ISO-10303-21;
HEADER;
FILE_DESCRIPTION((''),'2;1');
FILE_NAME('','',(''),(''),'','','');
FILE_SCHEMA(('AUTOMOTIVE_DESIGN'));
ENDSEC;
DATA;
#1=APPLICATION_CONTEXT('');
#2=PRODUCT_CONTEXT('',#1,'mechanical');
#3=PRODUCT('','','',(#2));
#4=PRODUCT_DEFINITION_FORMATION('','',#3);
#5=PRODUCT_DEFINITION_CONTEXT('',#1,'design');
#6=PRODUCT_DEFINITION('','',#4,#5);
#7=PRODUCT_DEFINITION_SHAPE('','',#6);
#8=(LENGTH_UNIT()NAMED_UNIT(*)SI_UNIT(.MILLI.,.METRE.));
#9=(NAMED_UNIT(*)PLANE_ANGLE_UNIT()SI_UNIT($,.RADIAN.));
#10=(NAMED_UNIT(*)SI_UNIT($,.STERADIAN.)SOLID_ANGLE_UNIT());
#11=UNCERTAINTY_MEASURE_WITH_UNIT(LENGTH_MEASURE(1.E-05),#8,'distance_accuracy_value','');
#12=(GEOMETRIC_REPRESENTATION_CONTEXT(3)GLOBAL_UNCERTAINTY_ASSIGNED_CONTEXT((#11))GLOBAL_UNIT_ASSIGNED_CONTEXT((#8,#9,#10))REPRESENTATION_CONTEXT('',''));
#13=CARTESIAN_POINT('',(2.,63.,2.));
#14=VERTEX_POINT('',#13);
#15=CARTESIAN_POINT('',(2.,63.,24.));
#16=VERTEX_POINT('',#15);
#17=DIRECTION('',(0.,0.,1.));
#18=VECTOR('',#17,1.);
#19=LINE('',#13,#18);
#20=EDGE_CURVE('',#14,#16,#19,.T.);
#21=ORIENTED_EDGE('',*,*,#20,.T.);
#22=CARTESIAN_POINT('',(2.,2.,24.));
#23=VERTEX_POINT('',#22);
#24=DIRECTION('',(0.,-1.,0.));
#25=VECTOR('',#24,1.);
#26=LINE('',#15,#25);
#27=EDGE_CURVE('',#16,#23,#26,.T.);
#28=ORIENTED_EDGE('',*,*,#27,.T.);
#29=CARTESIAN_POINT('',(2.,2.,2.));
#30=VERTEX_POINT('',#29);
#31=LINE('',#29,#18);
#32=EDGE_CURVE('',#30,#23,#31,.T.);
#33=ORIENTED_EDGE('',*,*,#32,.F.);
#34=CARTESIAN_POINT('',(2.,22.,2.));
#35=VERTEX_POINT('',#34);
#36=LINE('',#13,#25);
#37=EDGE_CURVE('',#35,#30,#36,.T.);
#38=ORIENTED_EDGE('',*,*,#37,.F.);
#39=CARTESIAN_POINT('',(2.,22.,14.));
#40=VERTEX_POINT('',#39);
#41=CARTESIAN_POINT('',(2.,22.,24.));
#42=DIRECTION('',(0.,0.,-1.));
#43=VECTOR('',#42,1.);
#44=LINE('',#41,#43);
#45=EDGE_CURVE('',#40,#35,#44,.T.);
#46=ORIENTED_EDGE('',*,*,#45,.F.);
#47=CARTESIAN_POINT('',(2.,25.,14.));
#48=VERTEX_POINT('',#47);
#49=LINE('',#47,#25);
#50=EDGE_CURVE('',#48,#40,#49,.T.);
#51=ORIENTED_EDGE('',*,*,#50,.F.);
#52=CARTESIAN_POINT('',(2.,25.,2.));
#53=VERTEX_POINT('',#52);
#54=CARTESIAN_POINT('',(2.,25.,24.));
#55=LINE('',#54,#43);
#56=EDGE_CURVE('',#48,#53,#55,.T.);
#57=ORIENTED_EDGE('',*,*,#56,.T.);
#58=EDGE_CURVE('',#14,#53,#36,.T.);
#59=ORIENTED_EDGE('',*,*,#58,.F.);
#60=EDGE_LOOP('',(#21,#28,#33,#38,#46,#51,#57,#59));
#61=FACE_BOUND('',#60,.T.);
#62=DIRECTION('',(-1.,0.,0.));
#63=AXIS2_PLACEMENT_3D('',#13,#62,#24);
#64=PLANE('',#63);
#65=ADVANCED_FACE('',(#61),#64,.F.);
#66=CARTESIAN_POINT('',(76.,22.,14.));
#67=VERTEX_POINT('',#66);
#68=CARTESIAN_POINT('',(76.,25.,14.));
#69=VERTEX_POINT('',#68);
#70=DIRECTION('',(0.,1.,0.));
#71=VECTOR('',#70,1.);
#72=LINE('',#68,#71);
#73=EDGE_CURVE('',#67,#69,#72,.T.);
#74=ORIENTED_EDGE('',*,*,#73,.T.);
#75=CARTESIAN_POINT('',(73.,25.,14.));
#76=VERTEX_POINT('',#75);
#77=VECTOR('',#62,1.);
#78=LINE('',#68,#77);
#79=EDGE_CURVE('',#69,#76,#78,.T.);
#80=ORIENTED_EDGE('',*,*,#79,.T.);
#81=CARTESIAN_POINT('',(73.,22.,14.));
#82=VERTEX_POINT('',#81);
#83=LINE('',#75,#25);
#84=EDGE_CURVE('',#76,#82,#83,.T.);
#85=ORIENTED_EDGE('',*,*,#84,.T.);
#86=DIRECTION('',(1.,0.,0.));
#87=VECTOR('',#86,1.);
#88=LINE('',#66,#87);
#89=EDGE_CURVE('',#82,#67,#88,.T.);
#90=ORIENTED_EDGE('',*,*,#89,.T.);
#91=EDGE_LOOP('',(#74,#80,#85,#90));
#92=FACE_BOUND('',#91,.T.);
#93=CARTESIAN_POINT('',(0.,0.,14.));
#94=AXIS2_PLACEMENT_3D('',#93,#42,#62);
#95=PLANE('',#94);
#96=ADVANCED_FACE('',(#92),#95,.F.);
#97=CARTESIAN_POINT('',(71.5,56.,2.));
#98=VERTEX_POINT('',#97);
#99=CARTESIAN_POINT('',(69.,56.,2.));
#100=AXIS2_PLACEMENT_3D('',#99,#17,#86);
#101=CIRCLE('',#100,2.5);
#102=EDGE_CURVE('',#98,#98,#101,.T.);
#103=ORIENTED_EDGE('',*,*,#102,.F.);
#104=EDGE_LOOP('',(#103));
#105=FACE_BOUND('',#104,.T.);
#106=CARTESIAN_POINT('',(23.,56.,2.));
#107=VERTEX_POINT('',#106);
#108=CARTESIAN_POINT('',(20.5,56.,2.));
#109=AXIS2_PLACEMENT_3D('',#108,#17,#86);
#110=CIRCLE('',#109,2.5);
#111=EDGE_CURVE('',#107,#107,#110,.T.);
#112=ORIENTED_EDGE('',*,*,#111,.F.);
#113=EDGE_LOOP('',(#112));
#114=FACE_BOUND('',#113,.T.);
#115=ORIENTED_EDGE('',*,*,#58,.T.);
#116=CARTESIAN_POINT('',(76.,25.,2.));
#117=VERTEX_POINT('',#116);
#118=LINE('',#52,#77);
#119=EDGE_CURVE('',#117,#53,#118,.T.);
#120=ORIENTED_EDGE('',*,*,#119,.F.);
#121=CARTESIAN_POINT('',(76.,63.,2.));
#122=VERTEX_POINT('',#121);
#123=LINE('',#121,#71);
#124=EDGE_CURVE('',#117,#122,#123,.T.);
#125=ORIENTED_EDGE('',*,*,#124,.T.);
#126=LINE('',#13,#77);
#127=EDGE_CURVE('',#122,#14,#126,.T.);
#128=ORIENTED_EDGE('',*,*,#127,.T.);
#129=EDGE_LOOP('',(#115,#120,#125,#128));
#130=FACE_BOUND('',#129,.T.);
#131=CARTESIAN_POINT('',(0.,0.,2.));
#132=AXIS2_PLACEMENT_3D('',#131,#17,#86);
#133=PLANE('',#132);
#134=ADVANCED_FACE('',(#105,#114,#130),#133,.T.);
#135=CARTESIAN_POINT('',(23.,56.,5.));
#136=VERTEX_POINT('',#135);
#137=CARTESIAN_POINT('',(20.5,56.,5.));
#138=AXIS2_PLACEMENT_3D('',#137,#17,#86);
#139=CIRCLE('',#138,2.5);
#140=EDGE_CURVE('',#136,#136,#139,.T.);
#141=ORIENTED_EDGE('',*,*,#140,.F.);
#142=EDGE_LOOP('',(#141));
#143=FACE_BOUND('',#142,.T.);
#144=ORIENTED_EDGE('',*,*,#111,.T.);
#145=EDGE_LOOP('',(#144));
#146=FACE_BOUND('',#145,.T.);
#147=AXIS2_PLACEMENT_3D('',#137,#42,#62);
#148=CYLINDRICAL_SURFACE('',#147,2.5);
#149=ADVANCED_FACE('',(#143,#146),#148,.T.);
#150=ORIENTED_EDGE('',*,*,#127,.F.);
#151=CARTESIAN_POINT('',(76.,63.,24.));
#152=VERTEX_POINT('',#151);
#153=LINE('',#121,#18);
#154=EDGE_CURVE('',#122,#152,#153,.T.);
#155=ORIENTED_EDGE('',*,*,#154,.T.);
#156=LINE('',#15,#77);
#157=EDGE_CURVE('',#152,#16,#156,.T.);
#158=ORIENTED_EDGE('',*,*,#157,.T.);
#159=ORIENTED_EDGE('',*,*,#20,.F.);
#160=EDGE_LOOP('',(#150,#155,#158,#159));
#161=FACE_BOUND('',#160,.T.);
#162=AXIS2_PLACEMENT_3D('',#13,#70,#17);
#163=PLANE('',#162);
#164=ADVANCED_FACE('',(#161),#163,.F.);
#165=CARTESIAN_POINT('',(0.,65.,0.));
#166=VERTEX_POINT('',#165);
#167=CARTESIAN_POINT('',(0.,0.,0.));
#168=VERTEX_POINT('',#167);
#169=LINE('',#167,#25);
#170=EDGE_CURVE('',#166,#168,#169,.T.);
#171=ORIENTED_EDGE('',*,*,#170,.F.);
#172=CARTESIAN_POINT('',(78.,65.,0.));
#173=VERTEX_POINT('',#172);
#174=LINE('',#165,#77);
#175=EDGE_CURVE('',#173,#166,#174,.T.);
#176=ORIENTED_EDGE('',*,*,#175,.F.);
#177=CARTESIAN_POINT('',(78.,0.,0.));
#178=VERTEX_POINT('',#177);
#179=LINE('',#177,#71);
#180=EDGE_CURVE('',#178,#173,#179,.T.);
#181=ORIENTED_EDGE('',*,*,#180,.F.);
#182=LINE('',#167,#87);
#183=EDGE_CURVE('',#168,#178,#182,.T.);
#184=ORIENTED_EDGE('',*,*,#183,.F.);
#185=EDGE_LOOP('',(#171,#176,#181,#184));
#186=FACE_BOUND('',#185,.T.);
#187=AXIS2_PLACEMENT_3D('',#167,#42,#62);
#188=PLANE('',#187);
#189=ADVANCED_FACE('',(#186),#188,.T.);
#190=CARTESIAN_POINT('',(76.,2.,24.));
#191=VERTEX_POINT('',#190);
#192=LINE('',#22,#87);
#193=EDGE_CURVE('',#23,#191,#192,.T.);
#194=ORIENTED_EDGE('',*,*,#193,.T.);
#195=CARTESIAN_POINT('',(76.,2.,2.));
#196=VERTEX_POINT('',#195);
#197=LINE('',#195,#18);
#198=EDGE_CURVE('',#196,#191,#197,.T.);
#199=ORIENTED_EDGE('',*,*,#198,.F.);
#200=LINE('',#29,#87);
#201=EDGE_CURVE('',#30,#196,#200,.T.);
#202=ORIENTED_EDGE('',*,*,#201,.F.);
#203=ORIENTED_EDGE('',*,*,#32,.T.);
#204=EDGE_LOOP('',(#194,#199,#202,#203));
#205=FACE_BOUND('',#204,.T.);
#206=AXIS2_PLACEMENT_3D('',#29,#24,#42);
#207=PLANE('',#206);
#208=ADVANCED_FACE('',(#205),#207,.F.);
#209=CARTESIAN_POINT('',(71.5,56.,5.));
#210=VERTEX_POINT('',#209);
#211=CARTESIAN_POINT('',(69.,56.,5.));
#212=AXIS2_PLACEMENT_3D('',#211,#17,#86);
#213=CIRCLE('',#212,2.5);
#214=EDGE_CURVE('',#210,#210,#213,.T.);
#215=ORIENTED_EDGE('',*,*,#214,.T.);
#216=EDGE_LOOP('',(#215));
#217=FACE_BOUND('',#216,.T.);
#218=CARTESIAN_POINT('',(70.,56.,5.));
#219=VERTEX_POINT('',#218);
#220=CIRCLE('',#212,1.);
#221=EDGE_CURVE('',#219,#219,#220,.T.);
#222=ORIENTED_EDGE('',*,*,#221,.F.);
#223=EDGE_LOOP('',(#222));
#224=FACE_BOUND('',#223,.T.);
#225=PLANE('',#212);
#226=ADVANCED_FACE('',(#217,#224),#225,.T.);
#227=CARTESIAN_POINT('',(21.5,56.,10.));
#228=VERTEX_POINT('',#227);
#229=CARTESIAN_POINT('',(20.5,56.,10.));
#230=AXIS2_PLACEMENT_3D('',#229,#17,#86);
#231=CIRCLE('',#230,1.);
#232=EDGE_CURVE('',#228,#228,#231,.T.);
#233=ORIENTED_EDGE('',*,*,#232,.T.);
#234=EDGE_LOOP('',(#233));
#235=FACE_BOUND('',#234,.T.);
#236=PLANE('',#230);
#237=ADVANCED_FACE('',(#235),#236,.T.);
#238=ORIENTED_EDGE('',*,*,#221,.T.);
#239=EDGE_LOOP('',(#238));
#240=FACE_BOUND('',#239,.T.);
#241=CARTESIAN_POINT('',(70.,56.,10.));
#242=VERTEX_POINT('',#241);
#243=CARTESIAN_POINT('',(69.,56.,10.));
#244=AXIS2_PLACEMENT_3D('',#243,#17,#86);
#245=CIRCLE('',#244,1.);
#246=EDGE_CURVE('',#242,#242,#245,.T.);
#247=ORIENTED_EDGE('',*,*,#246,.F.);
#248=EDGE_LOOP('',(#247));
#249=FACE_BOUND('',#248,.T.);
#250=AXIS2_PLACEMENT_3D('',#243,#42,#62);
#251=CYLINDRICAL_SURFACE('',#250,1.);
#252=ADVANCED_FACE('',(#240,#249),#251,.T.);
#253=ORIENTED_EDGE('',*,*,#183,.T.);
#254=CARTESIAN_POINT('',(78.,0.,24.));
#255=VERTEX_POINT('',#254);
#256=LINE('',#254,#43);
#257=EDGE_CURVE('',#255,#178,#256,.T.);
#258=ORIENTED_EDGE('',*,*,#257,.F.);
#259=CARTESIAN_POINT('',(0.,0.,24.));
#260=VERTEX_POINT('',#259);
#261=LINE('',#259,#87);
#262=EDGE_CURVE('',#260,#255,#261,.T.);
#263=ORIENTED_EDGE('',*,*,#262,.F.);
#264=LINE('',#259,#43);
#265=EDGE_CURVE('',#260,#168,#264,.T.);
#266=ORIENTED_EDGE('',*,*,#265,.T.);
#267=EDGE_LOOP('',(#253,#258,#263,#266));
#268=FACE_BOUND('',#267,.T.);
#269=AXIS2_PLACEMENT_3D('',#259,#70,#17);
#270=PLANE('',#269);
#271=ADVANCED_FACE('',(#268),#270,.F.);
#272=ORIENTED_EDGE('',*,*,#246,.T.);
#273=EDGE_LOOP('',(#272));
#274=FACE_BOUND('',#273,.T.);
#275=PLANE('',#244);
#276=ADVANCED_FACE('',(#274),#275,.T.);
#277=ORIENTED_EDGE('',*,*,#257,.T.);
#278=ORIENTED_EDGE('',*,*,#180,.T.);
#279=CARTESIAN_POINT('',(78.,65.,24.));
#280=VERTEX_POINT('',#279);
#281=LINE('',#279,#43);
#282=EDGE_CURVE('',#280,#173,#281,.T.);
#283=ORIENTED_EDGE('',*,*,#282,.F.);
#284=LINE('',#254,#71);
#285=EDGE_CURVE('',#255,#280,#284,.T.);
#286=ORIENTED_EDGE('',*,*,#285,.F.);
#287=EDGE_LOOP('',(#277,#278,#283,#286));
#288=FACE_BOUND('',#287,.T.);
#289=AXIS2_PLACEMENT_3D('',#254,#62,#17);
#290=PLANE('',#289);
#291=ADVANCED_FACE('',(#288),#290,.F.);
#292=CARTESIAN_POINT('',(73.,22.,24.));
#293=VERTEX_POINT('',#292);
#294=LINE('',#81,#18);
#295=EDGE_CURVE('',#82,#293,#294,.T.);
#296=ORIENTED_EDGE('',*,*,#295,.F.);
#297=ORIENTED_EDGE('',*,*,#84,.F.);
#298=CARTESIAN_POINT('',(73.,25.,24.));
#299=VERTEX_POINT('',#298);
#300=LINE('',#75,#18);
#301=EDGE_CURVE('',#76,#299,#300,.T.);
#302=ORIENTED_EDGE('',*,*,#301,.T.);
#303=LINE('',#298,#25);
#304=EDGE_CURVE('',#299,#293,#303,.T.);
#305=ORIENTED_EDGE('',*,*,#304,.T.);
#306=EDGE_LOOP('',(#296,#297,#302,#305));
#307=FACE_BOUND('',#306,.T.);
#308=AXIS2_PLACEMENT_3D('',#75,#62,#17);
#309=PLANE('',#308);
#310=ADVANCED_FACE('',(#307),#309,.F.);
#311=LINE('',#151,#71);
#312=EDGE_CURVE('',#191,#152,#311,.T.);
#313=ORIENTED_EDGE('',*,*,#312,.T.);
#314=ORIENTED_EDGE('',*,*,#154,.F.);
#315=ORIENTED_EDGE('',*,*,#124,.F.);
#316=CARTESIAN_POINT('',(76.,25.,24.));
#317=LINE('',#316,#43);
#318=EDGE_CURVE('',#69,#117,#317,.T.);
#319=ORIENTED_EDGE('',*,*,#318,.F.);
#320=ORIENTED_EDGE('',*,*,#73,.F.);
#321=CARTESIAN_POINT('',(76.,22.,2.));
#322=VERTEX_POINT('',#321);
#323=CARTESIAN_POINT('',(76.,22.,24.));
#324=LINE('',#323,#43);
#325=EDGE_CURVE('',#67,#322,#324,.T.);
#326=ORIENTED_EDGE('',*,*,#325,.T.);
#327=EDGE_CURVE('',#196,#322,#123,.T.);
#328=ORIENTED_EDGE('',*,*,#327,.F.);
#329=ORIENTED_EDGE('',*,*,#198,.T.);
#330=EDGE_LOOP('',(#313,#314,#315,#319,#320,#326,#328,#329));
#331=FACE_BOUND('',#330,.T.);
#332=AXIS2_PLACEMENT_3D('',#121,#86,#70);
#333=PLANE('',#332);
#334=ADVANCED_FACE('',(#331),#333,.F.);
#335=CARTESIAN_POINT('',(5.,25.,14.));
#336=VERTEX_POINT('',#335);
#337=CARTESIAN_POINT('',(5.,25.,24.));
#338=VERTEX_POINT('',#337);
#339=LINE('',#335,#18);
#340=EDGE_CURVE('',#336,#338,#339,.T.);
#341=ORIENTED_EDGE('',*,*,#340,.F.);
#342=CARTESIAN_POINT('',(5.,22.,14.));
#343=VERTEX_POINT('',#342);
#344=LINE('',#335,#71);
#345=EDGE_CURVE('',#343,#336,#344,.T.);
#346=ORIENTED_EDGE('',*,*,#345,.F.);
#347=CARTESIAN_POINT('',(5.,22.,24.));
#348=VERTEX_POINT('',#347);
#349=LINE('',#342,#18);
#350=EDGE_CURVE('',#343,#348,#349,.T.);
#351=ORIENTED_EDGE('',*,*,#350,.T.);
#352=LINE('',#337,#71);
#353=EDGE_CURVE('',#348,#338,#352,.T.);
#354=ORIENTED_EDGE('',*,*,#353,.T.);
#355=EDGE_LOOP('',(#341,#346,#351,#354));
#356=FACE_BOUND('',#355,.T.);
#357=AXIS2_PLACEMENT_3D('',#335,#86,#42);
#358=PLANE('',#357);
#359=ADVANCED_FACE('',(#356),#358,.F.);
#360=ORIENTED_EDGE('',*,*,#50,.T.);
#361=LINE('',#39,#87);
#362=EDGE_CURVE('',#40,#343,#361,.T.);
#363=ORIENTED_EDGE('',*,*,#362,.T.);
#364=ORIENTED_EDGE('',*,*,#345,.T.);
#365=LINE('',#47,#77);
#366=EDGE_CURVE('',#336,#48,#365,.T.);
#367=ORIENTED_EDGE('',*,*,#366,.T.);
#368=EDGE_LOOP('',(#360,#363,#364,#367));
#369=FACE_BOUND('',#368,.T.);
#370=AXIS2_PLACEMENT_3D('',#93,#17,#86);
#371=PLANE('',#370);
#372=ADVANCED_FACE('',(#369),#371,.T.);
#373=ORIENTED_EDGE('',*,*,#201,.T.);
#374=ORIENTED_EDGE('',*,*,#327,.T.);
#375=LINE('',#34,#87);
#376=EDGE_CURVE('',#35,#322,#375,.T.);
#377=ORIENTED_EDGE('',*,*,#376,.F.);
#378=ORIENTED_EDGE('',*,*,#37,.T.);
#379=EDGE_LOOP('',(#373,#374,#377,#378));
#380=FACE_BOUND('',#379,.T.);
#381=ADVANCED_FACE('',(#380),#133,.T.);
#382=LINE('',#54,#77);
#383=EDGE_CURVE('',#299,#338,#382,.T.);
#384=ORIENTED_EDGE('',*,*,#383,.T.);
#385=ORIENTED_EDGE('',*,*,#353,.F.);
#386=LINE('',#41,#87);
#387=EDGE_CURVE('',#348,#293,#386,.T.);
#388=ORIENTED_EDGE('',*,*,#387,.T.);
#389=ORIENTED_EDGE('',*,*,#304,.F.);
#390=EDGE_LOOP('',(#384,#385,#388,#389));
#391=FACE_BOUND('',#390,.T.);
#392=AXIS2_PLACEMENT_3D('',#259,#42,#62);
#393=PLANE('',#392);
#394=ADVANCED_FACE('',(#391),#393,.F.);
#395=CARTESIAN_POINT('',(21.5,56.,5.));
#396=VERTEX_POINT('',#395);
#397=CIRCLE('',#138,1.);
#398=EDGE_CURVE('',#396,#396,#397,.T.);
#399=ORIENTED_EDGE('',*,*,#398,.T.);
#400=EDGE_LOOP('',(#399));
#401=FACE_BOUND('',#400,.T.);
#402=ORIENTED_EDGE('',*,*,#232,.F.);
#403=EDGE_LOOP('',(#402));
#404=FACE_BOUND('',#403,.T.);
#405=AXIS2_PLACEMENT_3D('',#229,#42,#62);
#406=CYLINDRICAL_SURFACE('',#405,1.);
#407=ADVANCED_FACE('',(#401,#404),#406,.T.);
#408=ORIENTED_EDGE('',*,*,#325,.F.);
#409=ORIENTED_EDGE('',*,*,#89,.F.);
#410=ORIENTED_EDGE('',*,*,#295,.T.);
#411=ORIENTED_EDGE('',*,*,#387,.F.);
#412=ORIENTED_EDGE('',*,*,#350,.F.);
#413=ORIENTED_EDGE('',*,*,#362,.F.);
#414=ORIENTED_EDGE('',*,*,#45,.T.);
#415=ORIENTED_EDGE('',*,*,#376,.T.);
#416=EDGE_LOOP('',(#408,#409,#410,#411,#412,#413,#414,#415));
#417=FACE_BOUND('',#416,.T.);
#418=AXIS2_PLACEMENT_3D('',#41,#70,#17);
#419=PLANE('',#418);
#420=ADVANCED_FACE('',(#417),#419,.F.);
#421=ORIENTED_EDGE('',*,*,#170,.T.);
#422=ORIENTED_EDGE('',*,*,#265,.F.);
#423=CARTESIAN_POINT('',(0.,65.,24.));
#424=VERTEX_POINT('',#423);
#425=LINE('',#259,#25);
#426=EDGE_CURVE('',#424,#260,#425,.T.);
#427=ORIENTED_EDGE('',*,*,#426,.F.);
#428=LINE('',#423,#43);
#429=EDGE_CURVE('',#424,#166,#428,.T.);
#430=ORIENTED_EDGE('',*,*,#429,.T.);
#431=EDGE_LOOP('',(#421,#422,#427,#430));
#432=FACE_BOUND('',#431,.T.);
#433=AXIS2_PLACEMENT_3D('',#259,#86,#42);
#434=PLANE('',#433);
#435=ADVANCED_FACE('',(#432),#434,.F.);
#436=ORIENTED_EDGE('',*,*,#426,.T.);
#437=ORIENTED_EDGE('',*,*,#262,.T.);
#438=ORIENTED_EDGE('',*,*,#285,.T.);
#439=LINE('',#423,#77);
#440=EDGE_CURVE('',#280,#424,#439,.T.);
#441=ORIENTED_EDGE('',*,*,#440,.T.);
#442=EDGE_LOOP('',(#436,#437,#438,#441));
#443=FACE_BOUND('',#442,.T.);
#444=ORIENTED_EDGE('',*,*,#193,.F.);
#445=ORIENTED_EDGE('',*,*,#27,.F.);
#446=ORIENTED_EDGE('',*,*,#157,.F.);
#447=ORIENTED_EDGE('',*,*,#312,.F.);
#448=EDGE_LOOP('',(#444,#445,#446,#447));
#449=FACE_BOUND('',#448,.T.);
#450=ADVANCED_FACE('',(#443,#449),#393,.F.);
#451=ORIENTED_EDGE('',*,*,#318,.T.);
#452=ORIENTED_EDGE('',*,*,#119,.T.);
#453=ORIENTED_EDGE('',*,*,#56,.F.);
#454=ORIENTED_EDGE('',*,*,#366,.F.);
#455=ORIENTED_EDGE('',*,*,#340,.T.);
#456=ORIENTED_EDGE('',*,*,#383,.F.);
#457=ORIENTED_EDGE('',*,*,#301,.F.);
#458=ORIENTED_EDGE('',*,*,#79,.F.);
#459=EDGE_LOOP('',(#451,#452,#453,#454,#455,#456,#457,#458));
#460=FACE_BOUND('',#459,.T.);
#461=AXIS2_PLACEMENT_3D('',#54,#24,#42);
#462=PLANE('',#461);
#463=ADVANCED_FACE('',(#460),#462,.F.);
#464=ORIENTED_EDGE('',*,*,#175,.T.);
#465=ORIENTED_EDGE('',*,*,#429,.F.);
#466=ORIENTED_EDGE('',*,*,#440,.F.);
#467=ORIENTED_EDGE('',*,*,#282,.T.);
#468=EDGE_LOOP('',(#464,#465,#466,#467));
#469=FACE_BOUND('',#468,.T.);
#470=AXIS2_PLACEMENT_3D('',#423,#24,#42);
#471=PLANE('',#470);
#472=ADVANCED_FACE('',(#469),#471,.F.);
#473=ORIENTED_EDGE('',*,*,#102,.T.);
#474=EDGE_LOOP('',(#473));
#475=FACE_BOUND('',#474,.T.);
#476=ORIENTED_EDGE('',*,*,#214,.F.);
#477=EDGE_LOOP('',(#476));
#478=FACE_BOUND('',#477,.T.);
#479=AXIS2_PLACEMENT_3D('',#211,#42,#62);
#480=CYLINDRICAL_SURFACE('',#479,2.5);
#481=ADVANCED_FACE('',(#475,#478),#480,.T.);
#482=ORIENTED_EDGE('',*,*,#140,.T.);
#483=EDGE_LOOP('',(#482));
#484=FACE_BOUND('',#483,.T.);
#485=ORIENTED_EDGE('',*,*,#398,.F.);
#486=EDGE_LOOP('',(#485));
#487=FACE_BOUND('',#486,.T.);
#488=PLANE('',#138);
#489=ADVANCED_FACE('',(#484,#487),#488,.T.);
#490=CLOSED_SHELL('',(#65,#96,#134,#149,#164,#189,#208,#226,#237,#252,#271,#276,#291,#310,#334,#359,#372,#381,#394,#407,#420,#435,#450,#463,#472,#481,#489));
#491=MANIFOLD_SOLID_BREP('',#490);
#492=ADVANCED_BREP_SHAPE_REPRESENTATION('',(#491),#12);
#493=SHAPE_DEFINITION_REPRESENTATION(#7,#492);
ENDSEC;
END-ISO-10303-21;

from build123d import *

# Parameters (mm, degrees)
SKETCH1_W           = 78
SKETCH1_H           = 65
BOSS_EXTRUDE1_DEPTH = 24
SKETCH2_W           = 74
SKETCH2_H           = 61
CUT_EXTRUDE1_DEPTH  = 22
SKETCH3_W           = 74
SKETCH3_H           = 3
BOSS_EXTRUDE2_DEPTH = 22
SKETCH4_W           = 3
SKETCH4_H           = 3
CUT_EXTRUDE2_DEPTH  = 10
SKETCH5_R           = 2.5
BOSS_EXTRUDE3_DEPTH = 3
SKETCH6_R           = 1
BOSS_EXTRUDE4_DEPTH = 5


with BuildPart() as part:
    # Sketch1 → Boss-Extrude1 (new body)
    with BuildSketch(Plane.XY):
        with Locations((39, 32.5)):
            Rectangle(SKETCH1_W, SKETCH1_H)
    extrude(amount=BOSS_EXTRUDE1_DEPTH)

    # Sketch2 → Cut-Extrude1 (cut)
    with BuildSketch(Plane.XY.offset(24)):
        with Locations((39, 32.5)):
            Rectangle(SKETCH2_W, SKETCH2_H)
    extrude(amount=-CUT_EXTRUDE1_DEPTH, mode=Mode.SUBTRACT)

    # Sketch3 → Boss-Extrude2 (add)
    with BuildSketch(Plane.XY.offset(2)):
        with Locations((39, 23.5)):
            Rectangle(SKETCH3_W, SKETCH3_H)
    extrude(amount=BOSS_EXTRUDE2_DEPTH)

    # Sketch4 → Cut-Extrude2 (cut)
    with BuildSketch(Plane.XY.offset(24)):
        with Locations((3.5, 23.5)):
            Rectangle(SKETCH4_W, SKETCH4_H)
        with Locations((74.5, 23.5)):
            Rectangle(SKETCH4_W, SKETCH4_H)
    extrude(amount=-CUT_EXTRUDE2_DEPTH, mode=Mode.SUBTRACT)

    # Sketch5 → Boss-Extrude3 (add)
    with BuildSketch(Plane.XY.offset(2)):
        with Locations((20.5, 56)):
            Circle(SKETCH5_R)
        with Locations((69, 56)):
            Circle(SKETCH5_R)
    extrude(amount=BOSS_EXTRUDE3_DEPTH)

    # Sketch6 → Boss-Extrude4 (add)
    with BuildSketch(Plane.XY.offset(5)):
        with Locations((20.5, 56)):
            Circle(SKETCH6_R)
        with Locations((69, 56)):
            Circle(SKETCH6_R)
    extrude(amount=BOSS_EXTRUDE4_DEPTH)


solid = part.part
